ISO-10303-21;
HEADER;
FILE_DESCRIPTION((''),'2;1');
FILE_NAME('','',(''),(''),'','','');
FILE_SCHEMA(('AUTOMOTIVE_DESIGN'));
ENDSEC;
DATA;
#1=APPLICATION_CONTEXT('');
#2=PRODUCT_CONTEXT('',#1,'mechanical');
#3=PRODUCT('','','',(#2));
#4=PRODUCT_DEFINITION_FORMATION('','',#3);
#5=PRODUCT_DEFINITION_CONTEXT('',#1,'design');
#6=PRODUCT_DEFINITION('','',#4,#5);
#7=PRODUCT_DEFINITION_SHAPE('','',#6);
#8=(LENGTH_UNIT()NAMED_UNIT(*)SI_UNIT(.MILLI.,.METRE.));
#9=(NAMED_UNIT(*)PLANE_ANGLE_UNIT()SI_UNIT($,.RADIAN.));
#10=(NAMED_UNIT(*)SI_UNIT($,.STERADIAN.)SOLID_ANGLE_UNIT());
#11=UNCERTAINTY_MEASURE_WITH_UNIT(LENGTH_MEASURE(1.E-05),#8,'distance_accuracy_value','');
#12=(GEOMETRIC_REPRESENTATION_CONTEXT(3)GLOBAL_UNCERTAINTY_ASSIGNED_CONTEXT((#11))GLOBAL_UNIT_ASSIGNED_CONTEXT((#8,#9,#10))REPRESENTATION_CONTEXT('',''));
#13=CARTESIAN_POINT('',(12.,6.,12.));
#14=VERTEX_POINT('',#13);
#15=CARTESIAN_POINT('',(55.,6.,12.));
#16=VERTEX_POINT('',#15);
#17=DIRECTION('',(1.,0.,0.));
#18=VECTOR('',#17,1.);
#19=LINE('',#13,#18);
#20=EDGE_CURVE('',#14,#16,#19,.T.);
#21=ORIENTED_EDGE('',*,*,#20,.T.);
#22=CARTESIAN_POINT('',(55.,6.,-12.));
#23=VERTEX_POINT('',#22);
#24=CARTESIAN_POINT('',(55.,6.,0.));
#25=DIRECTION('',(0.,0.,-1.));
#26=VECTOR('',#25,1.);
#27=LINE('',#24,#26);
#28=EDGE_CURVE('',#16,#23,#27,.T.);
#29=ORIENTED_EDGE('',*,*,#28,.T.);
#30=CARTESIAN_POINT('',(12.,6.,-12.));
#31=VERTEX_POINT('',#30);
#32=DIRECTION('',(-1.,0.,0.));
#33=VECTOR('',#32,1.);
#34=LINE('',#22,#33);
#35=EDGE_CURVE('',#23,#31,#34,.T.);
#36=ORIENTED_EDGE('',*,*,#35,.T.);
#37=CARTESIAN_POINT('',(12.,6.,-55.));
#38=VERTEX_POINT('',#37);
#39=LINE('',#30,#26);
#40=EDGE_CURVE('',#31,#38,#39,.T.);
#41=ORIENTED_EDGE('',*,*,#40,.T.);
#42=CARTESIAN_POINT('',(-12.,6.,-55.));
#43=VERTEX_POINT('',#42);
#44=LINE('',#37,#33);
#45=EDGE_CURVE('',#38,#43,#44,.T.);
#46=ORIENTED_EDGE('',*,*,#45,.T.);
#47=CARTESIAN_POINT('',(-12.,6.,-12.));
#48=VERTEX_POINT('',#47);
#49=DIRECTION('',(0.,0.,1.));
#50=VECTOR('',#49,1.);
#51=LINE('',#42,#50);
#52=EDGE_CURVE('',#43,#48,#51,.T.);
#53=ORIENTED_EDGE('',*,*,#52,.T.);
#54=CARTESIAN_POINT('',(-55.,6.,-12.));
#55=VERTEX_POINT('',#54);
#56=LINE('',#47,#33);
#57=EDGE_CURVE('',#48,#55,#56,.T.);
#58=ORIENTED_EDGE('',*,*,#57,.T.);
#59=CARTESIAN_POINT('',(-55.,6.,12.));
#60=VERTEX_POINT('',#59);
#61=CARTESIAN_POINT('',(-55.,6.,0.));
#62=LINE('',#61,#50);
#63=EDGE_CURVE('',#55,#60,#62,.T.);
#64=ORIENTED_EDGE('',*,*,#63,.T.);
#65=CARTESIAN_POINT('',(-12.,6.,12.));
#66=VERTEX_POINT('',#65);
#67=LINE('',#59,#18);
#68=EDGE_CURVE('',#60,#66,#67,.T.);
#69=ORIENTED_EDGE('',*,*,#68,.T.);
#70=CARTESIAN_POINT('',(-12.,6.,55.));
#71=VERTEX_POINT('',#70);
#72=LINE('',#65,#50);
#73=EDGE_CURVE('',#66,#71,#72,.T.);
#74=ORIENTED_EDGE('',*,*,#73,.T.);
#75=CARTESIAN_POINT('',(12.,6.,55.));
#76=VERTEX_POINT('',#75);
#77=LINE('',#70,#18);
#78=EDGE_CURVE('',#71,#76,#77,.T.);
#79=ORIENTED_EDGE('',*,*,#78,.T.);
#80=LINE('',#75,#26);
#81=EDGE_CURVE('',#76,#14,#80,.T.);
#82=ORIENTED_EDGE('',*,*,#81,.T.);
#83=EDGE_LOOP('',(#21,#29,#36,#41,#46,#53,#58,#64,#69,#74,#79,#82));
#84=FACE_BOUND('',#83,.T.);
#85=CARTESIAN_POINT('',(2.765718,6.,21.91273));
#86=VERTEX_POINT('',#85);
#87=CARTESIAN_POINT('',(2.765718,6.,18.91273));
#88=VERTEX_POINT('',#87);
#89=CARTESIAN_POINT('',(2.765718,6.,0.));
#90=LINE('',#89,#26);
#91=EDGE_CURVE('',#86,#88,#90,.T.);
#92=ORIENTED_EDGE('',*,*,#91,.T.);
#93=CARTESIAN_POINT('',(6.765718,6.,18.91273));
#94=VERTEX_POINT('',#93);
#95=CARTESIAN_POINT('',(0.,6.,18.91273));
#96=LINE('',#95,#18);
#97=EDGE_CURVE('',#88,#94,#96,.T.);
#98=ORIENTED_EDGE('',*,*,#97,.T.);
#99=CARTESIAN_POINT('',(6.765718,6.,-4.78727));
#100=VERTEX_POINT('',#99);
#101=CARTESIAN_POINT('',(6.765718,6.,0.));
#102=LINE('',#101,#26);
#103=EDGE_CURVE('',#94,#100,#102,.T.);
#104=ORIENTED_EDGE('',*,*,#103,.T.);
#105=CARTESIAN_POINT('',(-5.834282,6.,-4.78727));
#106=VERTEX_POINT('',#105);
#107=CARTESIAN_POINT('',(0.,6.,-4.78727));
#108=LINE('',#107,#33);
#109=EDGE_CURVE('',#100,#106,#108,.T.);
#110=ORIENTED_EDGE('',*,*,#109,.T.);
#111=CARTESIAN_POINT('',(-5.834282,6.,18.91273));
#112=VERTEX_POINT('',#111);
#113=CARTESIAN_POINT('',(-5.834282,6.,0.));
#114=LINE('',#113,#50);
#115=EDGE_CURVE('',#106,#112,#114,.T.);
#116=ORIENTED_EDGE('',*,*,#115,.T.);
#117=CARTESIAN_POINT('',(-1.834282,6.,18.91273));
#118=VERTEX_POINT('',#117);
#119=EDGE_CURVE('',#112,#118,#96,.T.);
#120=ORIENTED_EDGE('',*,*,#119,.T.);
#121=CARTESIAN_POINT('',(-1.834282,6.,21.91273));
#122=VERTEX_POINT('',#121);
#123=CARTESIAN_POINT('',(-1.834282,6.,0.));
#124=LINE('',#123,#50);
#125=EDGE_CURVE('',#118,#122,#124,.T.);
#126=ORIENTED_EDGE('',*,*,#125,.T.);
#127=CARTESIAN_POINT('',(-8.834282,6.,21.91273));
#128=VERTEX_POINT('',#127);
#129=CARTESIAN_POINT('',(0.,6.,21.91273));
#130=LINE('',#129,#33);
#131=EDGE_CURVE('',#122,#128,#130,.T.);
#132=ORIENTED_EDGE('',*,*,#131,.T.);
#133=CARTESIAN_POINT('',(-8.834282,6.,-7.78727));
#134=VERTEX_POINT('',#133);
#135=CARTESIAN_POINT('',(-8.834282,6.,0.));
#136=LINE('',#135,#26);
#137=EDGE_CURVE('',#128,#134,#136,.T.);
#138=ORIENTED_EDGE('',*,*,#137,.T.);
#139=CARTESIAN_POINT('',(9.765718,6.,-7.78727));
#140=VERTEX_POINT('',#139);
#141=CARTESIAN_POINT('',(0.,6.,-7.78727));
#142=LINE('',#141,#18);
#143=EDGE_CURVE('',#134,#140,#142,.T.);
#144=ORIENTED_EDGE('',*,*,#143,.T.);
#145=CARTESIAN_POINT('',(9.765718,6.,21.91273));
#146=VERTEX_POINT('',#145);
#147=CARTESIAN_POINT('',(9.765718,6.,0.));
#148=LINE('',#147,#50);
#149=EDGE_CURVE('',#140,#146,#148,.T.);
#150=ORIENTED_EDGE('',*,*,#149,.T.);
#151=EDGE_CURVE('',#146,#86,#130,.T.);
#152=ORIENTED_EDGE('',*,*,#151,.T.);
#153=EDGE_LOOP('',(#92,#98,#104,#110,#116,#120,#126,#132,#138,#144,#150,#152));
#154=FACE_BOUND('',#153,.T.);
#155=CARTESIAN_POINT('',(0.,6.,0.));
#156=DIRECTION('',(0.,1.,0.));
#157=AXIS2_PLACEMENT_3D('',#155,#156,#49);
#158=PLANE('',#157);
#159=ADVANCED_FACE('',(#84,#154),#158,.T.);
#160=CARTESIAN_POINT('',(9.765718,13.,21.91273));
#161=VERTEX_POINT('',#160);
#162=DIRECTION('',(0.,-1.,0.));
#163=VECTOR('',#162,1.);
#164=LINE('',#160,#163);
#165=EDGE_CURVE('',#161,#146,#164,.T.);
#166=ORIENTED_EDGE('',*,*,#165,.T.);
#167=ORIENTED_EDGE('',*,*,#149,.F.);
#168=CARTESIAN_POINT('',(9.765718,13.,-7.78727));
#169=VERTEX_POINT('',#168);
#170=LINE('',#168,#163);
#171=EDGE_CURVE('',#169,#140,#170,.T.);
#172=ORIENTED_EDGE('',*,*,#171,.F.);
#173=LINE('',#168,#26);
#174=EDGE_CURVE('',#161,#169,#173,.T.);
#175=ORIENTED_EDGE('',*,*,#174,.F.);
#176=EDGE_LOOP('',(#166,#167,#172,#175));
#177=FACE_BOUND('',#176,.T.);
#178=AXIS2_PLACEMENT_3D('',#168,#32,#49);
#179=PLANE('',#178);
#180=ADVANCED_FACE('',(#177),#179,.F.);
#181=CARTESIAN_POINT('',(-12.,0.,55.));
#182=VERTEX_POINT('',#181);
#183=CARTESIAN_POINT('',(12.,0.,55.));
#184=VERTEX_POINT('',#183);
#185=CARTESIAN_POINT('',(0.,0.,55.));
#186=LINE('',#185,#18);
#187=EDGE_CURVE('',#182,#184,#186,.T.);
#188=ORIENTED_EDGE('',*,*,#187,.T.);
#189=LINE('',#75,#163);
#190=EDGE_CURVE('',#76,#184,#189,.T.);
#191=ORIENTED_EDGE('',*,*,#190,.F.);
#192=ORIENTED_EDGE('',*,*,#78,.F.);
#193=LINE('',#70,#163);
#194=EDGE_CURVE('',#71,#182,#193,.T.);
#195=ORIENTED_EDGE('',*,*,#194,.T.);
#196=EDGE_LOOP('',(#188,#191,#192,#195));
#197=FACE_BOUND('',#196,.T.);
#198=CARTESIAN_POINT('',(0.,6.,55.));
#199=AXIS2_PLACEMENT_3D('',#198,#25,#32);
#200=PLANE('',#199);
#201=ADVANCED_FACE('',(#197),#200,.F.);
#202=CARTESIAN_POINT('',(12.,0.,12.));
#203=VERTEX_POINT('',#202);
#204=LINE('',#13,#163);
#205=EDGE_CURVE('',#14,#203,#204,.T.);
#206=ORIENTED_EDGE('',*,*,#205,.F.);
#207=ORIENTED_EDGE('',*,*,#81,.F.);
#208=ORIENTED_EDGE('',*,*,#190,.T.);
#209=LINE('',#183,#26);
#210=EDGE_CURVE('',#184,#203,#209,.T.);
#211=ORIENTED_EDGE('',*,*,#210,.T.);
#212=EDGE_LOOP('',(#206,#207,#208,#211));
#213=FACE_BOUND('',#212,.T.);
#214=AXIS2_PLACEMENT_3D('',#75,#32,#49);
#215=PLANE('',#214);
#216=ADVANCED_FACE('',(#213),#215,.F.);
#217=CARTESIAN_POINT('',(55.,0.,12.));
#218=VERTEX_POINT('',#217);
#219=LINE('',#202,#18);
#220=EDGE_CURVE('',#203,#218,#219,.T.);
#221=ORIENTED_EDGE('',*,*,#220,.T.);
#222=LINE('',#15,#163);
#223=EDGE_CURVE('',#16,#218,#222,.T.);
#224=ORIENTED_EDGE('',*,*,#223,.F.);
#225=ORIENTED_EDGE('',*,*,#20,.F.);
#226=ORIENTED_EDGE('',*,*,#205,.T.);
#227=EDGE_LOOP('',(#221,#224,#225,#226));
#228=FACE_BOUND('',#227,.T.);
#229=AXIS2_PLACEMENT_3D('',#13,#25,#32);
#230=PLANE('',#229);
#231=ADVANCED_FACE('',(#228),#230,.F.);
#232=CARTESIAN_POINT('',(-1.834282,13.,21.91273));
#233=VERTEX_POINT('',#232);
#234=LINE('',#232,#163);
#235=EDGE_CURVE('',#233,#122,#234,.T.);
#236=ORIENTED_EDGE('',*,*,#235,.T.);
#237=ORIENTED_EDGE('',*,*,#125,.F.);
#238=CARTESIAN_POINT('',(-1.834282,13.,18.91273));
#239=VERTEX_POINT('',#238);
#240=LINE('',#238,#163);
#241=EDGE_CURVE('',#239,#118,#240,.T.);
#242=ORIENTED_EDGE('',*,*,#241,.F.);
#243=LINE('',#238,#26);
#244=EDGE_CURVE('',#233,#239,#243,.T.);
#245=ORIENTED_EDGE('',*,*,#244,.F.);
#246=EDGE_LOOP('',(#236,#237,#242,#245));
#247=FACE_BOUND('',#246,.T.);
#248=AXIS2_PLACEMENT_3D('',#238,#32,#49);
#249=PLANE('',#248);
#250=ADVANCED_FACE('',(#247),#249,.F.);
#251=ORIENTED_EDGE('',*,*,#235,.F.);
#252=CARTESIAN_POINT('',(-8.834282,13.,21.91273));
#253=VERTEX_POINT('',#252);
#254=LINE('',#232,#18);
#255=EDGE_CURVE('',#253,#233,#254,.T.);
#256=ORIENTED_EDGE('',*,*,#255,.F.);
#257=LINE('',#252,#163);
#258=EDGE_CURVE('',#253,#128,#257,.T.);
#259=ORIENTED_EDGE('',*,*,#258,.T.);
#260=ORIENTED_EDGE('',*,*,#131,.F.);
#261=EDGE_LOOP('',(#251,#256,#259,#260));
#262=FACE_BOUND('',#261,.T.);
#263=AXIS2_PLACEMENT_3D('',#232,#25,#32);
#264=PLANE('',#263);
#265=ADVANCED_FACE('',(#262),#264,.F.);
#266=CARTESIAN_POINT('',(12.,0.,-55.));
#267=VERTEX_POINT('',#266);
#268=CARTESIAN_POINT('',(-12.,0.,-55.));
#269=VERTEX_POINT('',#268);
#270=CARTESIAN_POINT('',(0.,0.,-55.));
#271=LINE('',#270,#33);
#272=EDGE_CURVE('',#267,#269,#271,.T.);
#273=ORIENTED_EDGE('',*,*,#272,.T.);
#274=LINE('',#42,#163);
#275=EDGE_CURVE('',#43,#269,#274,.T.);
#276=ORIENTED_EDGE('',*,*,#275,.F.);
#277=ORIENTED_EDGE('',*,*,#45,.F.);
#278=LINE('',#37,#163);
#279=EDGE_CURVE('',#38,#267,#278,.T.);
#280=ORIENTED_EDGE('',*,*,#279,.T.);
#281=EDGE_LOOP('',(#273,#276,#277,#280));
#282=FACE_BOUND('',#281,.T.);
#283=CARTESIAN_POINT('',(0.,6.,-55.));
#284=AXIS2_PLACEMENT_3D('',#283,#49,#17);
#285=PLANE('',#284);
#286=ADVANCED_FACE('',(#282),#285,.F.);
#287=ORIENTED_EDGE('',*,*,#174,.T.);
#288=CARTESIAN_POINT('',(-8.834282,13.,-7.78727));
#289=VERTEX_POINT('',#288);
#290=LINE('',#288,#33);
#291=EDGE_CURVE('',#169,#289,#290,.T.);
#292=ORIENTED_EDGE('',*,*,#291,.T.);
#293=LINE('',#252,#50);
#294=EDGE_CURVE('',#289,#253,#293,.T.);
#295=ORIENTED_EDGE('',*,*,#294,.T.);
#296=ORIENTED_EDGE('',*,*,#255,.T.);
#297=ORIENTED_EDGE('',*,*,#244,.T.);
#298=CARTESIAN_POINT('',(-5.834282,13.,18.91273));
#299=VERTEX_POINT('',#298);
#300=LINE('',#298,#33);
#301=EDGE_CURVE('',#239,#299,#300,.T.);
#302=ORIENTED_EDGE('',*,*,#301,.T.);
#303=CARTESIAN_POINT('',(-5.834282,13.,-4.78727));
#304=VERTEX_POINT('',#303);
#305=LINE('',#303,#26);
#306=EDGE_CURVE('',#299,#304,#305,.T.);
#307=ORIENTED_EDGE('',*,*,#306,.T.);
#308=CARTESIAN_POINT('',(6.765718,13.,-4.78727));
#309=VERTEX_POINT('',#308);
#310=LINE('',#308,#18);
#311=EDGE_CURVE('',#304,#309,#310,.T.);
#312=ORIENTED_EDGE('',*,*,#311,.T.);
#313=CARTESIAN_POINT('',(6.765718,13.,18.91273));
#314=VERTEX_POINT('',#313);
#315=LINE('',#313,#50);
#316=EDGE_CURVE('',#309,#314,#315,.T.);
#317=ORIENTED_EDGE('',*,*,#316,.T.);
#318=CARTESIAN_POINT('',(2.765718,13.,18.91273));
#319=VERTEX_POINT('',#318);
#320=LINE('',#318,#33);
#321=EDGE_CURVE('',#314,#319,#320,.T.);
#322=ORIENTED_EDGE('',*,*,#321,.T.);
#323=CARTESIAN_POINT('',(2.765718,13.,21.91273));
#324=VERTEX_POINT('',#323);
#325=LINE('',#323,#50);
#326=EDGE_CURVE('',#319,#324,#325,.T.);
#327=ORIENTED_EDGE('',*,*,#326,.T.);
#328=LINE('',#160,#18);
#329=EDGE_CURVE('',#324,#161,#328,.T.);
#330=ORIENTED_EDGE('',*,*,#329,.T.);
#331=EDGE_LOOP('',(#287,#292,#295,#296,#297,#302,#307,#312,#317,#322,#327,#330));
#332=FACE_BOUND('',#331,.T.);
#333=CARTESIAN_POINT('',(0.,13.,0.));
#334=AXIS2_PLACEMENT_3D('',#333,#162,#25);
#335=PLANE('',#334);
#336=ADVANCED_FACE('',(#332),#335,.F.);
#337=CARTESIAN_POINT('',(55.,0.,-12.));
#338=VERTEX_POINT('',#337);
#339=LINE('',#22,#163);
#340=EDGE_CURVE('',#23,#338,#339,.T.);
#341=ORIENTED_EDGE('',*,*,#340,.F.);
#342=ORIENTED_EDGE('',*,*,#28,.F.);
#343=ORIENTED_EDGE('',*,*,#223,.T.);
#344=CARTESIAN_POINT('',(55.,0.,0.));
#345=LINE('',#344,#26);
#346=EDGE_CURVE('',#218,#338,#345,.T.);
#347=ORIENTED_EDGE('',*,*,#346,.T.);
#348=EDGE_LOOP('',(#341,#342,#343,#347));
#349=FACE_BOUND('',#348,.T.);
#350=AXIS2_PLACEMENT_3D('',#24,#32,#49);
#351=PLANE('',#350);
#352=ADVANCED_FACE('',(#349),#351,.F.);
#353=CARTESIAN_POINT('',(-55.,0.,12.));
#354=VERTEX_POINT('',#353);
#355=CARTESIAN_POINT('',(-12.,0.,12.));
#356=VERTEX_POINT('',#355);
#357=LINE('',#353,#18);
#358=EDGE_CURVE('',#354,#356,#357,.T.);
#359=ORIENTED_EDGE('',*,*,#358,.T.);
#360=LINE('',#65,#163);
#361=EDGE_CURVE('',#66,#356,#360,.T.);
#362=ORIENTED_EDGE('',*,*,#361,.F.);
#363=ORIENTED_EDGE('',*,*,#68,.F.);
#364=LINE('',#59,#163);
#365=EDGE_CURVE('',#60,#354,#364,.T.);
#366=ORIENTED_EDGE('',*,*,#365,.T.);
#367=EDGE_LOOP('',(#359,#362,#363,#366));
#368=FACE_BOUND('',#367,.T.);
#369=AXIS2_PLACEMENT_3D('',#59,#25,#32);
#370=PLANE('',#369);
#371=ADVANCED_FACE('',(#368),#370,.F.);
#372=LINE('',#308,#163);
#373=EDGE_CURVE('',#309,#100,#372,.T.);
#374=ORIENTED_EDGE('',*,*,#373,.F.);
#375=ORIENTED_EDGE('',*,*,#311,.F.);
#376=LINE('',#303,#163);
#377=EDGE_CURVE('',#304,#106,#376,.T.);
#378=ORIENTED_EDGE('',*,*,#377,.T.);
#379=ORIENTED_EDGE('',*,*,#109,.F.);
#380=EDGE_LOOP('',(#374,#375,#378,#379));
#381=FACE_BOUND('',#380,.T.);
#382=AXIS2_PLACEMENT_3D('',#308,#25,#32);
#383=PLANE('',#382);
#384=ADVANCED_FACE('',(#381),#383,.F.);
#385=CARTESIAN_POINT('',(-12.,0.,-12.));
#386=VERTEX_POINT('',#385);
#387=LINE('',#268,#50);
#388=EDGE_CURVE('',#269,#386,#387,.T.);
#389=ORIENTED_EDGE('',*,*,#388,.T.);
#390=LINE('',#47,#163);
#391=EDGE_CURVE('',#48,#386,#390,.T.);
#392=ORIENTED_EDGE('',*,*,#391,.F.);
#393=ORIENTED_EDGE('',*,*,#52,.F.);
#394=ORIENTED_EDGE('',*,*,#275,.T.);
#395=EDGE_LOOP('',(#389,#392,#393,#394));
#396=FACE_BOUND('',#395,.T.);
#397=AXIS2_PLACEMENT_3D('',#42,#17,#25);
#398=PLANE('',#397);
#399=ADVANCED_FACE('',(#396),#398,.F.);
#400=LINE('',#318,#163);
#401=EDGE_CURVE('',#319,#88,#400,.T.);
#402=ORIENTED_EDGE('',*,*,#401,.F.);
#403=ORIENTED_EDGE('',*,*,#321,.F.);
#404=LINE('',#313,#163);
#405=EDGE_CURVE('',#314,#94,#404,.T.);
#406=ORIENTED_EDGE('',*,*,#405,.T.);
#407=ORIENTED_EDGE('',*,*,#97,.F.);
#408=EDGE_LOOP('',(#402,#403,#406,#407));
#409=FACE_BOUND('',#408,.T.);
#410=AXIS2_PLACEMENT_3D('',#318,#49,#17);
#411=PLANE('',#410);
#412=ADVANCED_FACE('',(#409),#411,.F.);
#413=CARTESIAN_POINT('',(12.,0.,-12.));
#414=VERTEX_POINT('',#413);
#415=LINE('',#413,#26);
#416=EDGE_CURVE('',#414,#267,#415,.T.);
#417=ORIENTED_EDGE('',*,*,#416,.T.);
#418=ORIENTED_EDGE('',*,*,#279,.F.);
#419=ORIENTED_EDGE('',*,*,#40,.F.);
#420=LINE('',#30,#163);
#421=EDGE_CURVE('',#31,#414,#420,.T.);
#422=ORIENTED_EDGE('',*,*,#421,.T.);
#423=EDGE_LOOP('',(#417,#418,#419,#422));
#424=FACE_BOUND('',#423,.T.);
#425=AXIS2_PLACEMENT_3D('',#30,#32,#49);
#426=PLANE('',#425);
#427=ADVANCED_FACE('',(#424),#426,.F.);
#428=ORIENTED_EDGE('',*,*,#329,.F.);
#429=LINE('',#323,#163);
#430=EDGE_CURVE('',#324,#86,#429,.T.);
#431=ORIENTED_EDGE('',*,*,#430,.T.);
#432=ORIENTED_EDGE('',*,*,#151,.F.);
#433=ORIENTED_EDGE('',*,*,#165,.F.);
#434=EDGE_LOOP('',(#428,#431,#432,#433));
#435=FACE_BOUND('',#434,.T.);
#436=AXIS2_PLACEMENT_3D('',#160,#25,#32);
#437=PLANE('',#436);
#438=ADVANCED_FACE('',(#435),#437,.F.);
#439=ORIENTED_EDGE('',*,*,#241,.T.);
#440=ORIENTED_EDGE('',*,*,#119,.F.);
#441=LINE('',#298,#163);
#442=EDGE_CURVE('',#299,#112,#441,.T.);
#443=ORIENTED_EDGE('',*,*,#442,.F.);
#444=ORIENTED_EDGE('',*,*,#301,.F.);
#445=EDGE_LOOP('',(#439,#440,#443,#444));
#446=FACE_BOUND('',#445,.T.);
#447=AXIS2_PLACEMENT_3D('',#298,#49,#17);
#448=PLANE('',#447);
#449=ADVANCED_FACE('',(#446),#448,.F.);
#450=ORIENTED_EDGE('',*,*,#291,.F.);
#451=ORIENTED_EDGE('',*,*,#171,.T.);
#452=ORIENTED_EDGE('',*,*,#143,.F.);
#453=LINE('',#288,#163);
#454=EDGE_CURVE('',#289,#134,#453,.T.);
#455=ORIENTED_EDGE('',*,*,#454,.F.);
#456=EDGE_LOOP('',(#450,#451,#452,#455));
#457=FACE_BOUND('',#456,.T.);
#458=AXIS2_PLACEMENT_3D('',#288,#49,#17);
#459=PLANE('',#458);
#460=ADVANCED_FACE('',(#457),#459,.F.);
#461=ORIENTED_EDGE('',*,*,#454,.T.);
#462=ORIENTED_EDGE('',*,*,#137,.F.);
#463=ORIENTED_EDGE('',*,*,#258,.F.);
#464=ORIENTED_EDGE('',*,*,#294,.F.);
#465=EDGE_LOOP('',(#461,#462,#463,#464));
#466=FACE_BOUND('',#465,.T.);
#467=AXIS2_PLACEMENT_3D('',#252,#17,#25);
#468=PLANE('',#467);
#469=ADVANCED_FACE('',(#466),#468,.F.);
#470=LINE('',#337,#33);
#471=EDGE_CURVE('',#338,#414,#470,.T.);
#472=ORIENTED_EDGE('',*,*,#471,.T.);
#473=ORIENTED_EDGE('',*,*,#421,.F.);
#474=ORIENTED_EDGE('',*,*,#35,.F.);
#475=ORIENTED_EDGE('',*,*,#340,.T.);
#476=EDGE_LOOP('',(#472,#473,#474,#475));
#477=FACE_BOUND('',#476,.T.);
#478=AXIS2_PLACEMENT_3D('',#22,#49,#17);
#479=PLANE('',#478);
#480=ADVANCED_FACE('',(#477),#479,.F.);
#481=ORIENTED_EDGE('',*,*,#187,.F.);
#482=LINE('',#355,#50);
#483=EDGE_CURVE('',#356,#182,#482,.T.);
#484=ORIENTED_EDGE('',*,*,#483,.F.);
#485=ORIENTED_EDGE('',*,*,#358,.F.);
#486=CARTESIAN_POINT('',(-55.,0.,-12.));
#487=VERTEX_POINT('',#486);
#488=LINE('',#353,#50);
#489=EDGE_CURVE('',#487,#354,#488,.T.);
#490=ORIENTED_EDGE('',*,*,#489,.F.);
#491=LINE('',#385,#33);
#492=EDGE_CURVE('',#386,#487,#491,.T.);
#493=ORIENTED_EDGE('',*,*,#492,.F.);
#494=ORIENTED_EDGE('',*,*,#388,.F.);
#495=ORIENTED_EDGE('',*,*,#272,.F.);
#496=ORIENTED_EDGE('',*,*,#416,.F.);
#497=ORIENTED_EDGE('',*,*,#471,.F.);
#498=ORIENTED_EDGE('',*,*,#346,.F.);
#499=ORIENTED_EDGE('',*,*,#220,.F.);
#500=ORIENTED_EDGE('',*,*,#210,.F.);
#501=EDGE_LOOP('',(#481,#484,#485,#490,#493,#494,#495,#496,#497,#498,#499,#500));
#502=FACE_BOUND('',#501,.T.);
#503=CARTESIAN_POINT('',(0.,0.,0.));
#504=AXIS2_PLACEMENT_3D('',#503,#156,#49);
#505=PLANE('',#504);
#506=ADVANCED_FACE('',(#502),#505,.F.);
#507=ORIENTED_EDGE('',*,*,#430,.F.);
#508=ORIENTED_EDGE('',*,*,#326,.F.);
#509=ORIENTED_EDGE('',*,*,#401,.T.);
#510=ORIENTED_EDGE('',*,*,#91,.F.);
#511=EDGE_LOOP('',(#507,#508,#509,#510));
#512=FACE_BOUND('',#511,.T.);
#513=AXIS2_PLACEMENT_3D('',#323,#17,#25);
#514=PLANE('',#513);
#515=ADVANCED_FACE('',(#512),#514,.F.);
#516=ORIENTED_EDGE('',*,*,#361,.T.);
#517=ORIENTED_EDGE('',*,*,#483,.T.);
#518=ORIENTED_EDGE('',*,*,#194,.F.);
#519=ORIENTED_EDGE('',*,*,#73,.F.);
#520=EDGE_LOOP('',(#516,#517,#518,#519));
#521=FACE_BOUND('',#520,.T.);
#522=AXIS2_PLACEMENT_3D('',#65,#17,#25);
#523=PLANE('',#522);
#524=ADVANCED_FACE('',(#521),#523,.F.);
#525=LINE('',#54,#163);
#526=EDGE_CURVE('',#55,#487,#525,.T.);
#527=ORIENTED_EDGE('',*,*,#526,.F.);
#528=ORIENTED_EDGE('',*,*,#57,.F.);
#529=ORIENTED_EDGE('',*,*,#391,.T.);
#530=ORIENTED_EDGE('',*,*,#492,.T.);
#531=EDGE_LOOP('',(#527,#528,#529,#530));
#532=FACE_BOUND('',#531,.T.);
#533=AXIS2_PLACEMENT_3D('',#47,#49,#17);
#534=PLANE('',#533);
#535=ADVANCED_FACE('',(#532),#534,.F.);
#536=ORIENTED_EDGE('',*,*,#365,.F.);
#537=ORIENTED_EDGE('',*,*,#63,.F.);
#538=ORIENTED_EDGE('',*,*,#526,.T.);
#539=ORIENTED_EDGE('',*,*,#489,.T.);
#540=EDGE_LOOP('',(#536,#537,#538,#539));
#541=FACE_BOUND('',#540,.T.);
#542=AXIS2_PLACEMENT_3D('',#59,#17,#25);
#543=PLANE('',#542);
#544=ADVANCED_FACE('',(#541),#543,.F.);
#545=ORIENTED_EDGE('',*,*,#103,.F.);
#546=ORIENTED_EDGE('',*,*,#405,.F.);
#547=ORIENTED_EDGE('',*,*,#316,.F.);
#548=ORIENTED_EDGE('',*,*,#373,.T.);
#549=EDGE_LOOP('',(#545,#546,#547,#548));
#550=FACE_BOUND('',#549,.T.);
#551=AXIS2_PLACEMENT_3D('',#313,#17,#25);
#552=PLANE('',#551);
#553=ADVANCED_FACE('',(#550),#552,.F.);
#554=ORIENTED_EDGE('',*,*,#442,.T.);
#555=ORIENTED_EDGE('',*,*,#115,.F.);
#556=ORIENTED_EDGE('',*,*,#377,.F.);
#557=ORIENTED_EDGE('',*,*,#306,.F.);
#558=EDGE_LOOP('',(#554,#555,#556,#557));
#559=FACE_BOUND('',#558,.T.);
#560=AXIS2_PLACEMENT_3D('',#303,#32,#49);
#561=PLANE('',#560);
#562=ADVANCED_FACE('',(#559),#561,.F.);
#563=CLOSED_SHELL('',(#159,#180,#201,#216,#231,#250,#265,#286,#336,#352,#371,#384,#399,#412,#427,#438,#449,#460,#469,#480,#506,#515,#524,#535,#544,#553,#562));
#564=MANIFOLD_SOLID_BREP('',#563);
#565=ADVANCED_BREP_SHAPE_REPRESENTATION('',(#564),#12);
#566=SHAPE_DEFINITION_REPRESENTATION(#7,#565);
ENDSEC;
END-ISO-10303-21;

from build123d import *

# Parameters (mm, degrees)
BOSS_EXTRUDE18_DEPTH = 6
SKETCH22_R           = 12
BOSS_EXTRUDE19_DEPTH = 6
BOSS_EXTRUDE20_DEPTH = 13


with BuildPart() as part:
    # Sketch21 → Boss-Extrude18 (new body)
    with BuildSketch(Plane(origin=(0, 0, 0), x_dir=(1, 0, 0), z_dir=(0, 1, 0))):
        Polygon((0, 55), (-12, 55), (-12, 12), (-55, 12), (-55, 0), (-55, -12), (-12, -12), (-12, -55), (0, -55), (12, -55), (12, -12), (55, -12), (55, 0), (55, 12), (12, 12), (12, 55), align=None)
    extrude(amount=BOSS_EXTRUDE18_DEPTH)

    # Sketch22 → Boss-Extrude19 (add)
    with BuildSketch(Plane(origin=(0, 0, 0), x_dir=(1, 0, 0), z_dir=(0, 1, 0))):
        Circle(SKETCH22_R)
    extrude(amount=BOSS_EXTRUDE19_DEPTH)

    # Sketch16 → Boss-Extrude20 (add)
    with BuildSketch(Plane(origin=(0, 0, 0), x_dir=(1, 0, 0), z_dir=(0, 1, 0))):
        Polygon((-8.834281574, 7.787269814), (9.765718426, 7.787269814), (9.765718426, -21.912730186), (2.765718426, -21.912730186), (2.765718426, -18.912730186), (6.765718426, -18.912730186), (6.765718426, 4.787269814), (-5.834281574, 4.787269814), (-5.834281574, -18.912730186), (-1.834281574, -18.912730186), (-1.834281574, -21.912730186), (-8.834281574, -21.912730186), align=None)
    extrude(amount=BOSS_EXTRUDE20_DEPTH)


solid = part.part
